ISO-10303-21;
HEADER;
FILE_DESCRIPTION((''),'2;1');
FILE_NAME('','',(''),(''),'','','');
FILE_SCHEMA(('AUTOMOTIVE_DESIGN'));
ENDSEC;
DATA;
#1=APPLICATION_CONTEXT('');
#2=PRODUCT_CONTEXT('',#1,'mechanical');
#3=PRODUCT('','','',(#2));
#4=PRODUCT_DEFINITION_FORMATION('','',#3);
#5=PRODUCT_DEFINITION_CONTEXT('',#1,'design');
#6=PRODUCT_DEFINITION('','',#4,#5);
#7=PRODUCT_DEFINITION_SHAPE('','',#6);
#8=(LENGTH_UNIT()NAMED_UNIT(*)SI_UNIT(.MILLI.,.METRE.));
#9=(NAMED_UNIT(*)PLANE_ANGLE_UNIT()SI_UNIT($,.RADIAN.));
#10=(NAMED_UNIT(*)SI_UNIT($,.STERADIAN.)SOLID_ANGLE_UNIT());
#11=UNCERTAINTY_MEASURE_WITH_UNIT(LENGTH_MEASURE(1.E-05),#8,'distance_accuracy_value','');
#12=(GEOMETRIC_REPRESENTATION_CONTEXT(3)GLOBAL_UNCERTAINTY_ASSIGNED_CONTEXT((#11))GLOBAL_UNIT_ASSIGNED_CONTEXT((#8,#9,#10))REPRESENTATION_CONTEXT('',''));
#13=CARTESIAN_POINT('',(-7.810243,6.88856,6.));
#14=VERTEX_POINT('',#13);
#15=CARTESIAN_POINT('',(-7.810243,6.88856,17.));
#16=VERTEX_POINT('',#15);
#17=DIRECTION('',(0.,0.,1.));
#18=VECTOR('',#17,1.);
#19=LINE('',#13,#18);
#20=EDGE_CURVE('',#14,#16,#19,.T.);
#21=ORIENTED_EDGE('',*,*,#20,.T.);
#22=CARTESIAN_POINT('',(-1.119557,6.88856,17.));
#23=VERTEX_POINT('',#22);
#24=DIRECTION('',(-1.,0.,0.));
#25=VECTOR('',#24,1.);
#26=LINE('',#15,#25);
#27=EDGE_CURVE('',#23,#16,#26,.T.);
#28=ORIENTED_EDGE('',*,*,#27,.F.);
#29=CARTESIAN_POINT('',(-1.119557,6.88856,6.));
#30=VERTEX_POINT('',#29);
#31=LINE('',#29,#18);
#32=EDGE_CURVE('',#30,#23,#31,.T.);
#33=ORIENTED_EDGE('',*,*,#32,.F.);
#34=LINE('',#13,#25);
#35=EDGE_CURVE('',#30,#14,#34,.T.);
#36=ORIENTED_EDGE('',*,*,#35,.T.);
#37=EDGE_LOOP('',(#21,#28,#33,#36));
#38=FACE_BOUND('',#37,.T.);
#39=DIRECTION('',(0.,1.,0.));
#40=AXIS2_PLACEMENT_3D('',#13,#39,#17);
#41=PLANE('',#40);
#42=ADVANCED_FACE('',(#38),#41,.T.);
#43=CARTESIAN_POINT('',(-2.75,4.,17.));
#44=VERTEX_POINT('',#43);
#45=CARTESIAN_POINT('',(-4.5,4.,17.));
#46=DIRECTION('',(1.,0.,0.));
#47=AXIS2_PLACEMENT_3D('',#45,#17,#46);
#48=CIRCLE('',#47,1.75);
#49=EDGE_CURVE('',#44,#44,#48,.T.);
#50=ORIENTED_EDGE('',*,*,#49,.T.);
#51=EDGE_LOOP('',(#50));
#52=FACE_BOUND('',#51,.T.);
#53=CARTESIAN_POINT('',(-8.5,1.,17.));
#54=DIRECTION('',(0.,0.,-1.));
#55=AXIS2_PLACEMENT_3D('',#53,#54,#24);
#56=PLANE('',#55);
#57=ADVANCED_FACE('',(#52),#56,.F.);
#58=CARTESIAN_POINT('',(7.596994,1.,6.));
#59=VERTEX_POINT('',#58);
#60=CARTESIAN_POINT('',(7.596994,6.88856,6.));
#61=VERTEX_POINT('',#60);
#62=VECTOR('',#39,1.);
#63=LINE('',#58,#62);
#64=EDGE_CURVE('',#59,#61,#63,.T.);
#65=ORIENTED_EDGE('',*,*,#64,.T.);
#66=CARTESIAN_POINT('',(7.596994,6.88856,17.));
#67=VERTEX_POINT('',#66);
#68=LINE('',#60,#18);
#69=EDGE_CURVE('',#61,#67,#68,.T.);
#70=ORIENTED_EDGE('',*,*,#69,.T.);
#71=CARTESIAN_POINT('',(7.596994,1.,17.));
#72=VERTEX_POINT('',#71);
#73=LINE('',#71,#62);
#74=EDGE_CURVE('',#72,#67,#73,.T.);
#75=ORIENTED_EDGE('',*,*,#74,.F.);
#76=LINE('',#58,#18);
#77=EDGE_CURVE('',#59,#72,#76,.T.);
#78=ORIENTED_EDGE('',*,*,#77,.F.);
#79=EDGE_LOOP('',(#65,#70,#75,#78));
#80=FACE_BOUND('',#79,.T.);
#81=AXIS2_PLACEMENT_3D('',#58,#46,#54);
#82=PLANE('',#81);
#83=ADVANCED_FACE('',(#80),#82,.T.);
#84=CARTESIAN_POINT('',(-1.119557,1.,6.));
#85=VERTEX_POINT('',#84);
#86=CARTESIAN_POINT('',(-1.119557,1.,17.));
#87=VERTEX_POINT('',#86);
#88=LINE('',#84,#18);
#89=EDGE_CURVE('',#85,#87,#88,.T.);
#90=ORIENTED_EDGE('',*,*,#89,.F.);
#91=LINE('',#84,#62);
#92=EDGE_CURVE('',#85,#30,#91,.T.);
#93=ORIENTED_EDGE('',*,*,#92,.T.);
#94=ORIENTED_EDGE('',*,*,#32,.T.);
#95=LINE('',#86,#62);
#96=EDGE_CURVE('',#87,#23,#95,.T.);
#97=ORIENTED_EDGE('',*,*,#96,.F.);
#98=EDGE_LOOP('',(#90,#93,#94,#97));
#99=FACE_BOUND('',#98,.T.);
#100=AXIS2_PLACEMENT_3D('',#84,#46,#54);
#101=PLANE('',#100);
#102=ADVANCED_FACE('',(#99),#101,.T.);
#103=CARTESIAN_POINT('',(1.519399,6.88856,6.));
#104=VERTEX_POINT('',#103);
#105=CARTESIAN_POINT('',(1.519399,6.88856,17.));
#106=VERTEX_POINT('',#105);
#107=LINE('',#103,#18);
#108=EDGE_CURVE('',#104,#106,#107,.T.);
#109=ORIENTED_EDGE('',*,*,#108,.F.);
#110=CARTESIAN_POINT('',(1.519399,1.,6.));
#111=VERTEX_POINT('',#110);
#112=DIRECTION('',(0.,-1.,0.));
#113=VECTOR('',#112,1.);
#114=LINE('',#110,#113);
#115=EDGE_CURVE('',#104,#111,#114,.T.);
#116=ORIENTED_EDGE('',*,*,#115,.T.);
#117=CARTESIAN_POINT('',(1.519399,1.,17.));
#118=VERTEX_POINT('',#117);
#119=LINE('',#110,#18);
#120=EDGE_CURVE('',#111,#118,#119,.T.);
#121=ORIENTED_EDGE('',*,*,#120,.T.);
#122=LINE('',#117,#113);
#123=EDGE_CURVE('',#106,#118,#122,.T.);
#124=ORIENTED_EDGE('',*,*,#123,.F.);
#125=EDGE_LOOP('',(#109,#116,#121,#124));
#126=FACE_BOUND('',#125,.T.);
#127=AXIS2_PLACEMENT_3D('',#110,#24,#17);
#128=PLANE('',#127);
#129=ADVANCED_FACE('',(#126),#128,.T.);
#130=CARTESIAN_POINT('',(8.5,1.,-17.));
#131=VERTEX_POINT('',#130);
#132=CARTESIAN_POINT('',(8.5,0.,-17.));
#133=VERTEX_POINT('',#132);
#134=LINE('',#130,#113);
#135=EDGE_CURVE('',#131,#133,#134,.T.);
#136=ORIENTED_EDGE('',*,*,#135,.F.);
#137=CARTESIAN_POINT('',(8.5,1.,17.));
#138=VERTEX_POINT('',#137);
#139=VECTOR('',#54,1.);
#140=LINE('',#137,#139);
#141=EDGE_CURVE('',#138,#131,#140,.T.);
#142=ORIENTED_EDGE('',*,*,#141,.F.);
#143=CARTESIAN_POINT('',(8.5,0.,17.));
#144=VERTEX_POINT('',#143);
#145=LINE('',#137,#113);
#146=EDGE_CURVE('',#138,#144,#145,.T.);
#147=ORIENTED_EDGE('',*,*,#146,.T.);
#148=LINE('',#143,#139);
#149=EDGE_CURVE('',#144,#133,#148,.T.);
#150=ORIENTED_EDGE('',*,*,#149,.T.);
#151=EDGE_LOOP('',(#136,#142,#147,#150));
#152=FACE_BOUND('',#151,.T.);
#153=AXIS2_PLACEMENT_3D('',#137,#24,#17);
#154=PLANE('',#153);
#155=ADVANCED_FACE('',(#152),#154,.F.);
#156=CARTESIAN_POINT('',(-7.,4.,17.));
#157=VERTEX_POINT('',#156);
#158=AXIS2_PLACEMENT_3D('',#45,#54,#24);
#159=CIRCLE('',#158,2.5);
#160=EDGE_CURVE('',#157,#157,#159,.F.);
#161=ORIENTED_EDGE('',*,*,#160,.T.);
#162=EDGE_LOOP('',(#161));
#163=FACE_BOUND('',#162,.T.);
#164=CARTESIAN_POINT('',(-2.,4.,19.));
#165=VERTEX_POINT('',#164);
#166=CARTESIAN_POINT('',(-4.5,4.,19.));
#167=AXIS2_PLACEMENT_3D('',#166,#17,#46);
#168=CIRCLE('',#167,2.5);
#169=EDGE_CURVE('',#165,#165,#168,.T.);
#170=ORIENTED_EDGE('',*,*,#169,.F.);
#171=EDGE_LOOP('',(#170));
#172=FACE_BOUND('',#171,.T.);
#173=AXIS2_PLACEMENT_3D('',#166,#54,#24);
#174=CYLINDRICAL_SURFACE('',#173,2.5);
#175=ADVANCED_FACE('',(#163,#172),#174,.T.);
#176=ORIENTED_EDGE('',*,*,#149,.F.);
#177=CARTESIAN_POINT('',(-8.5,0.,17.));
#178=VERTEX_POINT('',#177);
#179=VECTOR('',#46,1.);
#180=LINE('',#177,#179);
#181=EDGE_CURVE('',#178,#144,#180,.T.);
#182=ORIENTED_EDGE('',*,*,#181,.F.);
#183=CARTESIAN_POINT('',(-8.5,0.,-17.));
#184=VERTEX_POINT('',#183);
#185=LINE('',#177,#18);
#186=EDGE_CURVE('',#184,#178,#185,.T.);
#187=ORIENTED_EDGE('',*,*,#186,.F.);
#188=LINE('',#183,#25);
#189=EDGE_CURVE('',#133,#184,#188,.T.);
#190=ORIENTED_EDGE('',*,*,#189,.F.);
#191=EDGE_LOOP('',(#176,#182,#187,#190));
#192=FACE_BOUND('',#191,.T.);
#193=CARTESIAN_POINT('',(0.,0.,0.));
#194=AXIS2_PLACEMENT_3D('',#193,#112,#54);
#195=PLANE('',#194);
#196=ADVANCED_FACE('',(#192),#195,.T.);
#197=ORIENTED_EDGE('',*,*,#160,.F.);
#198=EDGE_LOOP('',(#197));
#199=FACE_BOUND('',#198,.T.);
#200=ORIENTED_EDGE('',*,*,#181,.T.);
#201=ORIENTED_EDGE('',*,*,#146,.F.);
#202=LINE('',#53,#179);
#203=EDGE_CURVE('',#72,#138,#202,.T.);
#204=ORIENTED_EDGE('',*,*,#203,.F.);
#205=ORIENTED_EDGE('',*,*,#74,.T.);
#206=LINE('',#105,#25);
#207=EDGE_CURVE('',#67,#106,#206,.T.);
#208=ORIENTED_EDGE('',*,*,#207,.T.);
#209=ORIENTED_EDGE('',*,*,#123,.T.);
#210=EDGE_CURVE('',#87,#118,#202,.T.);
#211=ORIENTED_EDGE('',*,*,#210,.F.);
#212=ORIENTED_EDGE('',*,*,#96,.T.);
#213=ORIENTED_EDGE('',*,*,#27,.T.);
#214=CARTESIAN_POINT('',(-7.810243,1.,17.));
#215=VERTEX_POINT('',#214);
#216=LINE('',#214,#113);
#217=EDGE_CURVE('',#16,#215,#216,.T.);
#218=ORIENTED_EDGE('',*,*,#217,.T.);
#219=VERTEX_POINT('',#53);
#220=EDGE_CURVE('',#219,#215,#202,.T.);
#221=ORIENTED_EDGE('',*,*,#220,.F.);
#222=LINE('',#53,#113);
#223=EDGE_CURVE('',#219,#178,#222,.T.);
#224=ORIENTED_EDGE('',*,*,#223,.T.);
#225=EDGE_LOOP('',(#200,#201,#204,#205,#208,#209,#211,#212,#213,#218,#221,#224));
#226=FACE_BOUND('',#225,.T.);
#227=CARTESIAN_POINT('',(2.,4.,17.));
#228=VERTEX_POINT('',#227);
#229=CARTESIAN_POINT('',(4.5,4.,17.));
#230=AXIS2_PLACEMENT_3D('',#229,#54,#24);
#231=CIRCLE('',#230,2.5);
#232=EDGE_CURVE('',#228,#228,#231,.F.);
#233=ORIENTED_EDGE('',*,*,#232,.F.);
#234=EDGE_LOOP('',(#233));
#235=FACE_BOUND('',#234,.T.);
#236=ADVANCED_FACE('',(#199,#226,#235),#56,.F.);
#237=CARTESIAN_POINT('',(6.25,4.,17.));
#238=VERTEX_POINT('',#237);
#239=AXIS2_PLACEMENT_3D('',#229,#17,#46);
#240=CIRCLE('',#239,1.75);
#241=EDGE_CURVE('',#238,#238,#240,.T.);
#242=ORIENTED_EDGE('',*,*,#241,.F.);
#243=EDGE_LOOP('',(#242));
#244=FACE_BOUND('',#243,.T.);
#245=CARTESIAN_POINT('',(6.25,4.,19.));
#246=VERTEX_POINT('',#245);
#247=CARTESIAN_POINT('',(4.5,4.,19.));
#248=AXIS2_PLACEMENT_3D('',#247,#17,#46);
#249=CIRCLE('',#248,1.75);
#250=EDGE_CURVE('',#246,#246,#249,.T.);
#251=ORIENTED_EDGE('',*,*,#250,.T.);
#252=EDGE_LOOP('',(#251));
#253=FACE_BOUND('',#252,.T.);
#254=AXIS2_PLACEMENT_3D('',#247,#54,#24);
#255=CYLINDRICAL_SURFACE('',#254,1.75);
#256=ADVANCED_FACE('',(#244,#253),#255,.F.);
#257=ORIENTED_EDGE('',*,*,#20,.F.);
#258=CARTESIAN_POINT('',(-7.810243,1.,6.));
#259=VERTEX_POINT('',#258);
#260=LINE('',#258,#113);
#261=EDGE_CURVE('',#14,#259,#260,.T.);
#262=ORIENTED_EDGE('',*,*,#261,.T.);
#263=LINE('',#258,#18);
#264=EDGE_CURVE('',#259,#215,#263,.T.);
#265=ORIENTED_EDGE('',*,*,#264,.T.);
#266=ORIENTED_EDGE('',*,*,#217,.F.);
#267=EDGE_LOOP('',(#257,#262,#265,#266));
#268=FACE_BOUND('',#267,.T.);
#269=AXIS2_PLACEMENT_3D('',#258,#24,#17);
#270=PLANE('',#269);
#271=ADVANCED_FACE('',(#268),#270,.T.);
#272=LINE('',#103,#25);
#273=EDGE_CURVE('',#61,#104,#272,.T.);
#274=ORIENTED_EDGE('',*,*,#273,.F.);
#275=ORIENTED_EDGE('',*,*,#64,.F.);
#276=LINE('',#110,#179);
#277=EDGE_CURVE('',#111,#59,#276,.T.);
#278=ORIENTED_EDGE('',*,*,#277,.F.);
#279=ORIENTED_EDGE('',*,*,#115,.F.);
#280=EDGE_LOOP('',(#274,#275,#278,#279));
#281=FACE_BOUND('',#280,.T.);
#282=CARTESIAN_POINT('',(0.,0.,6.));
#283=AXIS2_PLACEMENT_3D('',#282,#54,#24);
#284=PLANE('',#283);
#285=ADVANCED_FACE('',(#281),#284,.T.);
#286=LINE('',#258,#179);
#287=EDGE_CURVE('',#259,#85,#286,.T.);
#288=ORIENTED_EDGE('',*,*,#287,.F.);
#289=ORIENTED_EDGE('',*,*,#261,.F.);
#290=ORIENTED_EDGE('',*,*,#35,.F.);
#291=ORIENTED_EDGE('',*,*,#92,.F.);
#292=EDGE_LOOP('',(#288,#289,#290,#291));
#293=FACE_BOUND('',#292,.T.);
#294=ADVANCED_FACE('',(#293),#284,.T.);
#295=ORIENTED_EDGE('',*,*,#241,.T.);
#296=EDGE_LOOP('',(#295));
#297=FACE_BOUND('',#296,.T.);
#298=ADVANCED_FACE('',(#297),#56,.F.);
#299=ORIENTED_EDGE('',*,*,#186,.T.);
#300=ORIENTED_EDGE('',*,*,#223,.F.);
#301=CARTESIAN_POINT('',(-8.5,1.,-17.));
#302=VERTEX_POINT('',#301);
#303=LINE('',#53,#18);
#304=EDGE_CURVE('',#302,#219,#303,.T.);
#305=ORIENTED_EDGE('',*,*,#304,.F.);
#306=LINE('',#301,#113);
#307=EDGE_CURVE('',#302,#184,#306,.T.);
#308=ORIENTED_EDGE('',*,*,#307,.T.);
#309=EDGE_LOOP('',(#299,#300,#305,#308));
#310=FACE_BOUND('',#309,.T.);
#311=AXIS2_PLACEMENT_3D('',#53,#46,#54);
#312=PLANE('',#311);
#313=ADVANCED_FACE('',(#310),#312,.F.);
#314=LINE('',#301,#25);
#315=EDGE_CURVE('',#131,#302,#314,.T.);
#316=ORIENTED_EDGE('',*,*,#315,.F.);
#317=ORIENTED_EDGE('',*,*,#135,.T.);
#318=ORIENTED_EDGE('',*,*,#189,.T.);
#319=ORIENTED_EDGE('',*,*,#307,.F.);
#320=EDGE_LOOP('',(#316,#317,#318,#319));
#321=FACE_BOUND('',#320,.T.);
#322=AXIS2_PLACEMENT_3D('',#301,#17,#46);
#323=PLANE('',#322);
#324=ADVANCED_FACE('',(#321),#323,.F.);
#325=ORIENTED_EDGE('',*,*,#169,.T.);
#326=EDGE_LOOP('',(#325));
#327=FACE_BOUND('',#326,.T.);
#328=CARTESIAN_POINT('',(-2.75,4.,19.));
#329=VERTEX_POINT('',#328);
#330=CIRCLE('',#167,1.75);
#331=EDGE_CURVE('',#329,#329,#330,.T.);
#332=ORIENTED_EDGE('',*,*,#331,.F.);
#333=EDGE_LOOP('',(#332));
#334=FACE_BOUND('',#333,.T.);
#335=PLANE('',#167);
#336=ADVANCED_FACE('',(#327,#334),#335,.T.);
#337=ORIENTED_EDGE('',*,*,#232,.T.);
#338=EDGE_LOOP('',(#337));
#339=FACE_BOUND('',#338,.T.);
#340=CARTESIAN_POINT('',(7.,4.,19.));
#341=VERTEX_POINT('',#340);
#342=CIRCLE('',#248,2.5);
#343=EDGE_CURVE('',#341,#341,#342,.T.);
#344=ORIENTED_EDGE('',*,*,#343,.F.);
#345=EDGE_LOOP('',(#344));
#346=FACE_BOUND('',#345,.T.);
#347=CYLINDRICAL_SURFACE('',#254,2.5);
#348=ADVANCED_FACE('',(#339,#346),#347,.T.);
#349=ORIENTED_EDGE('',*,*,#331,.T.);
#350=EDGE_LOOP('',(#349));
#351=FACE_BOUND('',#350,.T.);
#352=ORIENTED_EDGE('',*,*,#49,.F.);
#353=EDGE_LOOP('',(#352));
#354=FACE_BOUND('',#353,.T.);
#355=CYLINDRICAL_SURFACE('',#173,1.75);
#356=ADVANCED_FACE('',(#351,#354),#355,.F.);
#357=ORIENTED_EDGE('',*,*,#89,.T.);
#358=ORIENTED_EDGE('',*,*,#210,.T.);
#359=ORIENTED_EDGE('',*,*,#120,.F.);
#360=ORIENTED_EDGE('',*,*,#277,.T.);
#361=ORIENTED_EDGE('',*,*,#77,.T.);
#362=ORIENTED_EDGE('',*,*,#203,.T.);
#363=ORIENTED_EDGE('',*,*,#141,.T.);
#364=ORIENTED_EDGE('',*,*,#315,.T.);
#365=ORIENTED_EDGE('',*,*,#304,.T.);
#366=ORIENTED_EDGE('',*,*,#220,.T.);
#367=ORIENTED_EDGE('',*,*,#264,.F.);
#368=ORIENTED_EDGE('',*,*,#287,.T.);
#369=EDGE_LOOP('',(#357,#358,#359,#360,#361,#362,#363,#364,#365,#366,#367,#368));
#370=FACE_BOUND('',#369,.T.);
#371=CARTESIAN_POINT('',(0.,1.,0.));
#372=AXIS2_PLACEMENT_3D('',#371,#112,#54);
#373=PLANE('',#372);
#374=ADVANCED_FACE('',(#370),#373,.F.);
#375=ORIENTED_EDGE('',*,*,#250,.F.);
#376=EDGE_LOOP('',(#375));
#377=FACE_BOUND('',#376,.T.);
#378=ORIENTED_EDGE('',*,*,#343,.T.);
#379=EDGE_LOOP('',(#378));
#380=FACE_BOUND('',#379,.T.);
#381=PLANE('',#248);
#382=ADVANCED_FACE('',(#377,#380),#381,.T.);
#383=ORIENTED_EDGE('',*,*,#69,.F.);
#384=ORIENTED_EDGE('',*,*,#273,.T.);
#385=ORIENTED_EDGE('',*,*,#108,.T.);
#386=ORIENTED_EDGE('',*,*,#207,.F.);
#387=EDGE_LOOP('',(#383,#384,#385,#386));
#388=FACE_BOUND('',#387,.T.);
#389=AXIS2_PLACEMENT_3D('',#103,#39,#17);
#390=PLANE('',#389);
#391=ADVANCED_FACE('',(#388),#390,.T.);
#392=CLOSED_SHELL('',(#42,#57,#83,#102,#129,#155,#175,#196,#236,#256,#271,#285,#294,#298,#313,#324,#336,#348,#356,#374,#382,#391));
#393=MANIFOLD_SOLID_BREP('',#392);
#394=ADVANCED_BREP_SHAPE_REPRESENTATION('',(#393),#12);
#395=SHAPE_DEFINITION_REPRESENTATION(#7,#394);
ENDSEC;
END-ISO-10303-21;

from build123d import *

# Parameters (mm, degrees)
IZIM1_W                       = 17
IZIM1_H                       = 34
Y_KSEKLIK_EKSTR_ZYON1_DEPTH   = 1
IZIM2_R                       = 2.5
IZIM2_R_2                     = 1.75
Y_KSEKLIK_EKSTR_ZYON2_DEPTH   = 2
Y_KSEKLIK_EKSTR_ZYON2_2_DEPTH = 2
IZIM3_W                       = 6.690686046
IZIM3_H                       = 5.888560339
IZIM3_W_2                     = 6.077595292
Y_KSEKLIK_EKSTR_ZYON3_DEPTH   = 11


with BuildPart() as part:
    # Çizim1 → Yükseklik-Ekstrüzyon1 (new body)
    with BuildSketch(Plane(origin=(0, 0, 0), x_dir=(1, 0, 0), z_dir=(0, 1, 0))):
        Rectangle(IZIM1_W, IZIM1_H)
    extrude(amount=Y_KSEKLIK_EKSTR_ZYON1_DEPTH)



with BuildPart() as body_2:
    # Çizim2 → Yükseklik-Ekstrüzyon2 (new body)
    with BuildSketch(Plane.XY.offset(17)):
        with Locations((-4.5, 4)):
            Circle(IZIM2_R)
        with Locations((-4.5, 4)):
            Circle(IZIM2_R_2, mode=Mode.SUBTRACT)
    extrude(amount=Y_KSEKLIK_EKSTR_ZYON2_DEPTH)


with BuildPart() as body_3:
    # Çizim2 → Y_kseklik-Ekstr_zyon2 2 (new body)
    with BuildSketch(Plane.XY.offset(17)):
        with Locations((4.5, 4)):
            Circle(IZIM2_R)
        with Locations((4.5, 4)):
            Circle(IZIM2_R_2, mode=Mode.SUBTRACT)
    extrude(amount=Y_KSEKLIK_EKSTR_ZYON2_2_DEPTH)


with BuildPart() as part_1:
    add(part.part)

    add(body_2.part)  # Yükseklik-Ekstrüzyon3 merges body 2

    add(body_3.part)  # Yükseklik-Ekstrüzyon3 merges body 3
    # Çizim3 → Yükseklik-Ekstrüzyon3 (add)
    with BuildSketch(Plane.XY.offset(17)):
        with Locations((-4.46490005, 3.94428017)):
            Rectangle(IZIM3_W, IZIM3_H)
        with Locations((4.558196469, 3.94428017)):
            Rectangle(IZIM3_W_2, IZIM3_H)
    extrude(amount=-Y_KSEKLIK_EKSTR_ZYON3_DEPTH)


solid = part_1.part
